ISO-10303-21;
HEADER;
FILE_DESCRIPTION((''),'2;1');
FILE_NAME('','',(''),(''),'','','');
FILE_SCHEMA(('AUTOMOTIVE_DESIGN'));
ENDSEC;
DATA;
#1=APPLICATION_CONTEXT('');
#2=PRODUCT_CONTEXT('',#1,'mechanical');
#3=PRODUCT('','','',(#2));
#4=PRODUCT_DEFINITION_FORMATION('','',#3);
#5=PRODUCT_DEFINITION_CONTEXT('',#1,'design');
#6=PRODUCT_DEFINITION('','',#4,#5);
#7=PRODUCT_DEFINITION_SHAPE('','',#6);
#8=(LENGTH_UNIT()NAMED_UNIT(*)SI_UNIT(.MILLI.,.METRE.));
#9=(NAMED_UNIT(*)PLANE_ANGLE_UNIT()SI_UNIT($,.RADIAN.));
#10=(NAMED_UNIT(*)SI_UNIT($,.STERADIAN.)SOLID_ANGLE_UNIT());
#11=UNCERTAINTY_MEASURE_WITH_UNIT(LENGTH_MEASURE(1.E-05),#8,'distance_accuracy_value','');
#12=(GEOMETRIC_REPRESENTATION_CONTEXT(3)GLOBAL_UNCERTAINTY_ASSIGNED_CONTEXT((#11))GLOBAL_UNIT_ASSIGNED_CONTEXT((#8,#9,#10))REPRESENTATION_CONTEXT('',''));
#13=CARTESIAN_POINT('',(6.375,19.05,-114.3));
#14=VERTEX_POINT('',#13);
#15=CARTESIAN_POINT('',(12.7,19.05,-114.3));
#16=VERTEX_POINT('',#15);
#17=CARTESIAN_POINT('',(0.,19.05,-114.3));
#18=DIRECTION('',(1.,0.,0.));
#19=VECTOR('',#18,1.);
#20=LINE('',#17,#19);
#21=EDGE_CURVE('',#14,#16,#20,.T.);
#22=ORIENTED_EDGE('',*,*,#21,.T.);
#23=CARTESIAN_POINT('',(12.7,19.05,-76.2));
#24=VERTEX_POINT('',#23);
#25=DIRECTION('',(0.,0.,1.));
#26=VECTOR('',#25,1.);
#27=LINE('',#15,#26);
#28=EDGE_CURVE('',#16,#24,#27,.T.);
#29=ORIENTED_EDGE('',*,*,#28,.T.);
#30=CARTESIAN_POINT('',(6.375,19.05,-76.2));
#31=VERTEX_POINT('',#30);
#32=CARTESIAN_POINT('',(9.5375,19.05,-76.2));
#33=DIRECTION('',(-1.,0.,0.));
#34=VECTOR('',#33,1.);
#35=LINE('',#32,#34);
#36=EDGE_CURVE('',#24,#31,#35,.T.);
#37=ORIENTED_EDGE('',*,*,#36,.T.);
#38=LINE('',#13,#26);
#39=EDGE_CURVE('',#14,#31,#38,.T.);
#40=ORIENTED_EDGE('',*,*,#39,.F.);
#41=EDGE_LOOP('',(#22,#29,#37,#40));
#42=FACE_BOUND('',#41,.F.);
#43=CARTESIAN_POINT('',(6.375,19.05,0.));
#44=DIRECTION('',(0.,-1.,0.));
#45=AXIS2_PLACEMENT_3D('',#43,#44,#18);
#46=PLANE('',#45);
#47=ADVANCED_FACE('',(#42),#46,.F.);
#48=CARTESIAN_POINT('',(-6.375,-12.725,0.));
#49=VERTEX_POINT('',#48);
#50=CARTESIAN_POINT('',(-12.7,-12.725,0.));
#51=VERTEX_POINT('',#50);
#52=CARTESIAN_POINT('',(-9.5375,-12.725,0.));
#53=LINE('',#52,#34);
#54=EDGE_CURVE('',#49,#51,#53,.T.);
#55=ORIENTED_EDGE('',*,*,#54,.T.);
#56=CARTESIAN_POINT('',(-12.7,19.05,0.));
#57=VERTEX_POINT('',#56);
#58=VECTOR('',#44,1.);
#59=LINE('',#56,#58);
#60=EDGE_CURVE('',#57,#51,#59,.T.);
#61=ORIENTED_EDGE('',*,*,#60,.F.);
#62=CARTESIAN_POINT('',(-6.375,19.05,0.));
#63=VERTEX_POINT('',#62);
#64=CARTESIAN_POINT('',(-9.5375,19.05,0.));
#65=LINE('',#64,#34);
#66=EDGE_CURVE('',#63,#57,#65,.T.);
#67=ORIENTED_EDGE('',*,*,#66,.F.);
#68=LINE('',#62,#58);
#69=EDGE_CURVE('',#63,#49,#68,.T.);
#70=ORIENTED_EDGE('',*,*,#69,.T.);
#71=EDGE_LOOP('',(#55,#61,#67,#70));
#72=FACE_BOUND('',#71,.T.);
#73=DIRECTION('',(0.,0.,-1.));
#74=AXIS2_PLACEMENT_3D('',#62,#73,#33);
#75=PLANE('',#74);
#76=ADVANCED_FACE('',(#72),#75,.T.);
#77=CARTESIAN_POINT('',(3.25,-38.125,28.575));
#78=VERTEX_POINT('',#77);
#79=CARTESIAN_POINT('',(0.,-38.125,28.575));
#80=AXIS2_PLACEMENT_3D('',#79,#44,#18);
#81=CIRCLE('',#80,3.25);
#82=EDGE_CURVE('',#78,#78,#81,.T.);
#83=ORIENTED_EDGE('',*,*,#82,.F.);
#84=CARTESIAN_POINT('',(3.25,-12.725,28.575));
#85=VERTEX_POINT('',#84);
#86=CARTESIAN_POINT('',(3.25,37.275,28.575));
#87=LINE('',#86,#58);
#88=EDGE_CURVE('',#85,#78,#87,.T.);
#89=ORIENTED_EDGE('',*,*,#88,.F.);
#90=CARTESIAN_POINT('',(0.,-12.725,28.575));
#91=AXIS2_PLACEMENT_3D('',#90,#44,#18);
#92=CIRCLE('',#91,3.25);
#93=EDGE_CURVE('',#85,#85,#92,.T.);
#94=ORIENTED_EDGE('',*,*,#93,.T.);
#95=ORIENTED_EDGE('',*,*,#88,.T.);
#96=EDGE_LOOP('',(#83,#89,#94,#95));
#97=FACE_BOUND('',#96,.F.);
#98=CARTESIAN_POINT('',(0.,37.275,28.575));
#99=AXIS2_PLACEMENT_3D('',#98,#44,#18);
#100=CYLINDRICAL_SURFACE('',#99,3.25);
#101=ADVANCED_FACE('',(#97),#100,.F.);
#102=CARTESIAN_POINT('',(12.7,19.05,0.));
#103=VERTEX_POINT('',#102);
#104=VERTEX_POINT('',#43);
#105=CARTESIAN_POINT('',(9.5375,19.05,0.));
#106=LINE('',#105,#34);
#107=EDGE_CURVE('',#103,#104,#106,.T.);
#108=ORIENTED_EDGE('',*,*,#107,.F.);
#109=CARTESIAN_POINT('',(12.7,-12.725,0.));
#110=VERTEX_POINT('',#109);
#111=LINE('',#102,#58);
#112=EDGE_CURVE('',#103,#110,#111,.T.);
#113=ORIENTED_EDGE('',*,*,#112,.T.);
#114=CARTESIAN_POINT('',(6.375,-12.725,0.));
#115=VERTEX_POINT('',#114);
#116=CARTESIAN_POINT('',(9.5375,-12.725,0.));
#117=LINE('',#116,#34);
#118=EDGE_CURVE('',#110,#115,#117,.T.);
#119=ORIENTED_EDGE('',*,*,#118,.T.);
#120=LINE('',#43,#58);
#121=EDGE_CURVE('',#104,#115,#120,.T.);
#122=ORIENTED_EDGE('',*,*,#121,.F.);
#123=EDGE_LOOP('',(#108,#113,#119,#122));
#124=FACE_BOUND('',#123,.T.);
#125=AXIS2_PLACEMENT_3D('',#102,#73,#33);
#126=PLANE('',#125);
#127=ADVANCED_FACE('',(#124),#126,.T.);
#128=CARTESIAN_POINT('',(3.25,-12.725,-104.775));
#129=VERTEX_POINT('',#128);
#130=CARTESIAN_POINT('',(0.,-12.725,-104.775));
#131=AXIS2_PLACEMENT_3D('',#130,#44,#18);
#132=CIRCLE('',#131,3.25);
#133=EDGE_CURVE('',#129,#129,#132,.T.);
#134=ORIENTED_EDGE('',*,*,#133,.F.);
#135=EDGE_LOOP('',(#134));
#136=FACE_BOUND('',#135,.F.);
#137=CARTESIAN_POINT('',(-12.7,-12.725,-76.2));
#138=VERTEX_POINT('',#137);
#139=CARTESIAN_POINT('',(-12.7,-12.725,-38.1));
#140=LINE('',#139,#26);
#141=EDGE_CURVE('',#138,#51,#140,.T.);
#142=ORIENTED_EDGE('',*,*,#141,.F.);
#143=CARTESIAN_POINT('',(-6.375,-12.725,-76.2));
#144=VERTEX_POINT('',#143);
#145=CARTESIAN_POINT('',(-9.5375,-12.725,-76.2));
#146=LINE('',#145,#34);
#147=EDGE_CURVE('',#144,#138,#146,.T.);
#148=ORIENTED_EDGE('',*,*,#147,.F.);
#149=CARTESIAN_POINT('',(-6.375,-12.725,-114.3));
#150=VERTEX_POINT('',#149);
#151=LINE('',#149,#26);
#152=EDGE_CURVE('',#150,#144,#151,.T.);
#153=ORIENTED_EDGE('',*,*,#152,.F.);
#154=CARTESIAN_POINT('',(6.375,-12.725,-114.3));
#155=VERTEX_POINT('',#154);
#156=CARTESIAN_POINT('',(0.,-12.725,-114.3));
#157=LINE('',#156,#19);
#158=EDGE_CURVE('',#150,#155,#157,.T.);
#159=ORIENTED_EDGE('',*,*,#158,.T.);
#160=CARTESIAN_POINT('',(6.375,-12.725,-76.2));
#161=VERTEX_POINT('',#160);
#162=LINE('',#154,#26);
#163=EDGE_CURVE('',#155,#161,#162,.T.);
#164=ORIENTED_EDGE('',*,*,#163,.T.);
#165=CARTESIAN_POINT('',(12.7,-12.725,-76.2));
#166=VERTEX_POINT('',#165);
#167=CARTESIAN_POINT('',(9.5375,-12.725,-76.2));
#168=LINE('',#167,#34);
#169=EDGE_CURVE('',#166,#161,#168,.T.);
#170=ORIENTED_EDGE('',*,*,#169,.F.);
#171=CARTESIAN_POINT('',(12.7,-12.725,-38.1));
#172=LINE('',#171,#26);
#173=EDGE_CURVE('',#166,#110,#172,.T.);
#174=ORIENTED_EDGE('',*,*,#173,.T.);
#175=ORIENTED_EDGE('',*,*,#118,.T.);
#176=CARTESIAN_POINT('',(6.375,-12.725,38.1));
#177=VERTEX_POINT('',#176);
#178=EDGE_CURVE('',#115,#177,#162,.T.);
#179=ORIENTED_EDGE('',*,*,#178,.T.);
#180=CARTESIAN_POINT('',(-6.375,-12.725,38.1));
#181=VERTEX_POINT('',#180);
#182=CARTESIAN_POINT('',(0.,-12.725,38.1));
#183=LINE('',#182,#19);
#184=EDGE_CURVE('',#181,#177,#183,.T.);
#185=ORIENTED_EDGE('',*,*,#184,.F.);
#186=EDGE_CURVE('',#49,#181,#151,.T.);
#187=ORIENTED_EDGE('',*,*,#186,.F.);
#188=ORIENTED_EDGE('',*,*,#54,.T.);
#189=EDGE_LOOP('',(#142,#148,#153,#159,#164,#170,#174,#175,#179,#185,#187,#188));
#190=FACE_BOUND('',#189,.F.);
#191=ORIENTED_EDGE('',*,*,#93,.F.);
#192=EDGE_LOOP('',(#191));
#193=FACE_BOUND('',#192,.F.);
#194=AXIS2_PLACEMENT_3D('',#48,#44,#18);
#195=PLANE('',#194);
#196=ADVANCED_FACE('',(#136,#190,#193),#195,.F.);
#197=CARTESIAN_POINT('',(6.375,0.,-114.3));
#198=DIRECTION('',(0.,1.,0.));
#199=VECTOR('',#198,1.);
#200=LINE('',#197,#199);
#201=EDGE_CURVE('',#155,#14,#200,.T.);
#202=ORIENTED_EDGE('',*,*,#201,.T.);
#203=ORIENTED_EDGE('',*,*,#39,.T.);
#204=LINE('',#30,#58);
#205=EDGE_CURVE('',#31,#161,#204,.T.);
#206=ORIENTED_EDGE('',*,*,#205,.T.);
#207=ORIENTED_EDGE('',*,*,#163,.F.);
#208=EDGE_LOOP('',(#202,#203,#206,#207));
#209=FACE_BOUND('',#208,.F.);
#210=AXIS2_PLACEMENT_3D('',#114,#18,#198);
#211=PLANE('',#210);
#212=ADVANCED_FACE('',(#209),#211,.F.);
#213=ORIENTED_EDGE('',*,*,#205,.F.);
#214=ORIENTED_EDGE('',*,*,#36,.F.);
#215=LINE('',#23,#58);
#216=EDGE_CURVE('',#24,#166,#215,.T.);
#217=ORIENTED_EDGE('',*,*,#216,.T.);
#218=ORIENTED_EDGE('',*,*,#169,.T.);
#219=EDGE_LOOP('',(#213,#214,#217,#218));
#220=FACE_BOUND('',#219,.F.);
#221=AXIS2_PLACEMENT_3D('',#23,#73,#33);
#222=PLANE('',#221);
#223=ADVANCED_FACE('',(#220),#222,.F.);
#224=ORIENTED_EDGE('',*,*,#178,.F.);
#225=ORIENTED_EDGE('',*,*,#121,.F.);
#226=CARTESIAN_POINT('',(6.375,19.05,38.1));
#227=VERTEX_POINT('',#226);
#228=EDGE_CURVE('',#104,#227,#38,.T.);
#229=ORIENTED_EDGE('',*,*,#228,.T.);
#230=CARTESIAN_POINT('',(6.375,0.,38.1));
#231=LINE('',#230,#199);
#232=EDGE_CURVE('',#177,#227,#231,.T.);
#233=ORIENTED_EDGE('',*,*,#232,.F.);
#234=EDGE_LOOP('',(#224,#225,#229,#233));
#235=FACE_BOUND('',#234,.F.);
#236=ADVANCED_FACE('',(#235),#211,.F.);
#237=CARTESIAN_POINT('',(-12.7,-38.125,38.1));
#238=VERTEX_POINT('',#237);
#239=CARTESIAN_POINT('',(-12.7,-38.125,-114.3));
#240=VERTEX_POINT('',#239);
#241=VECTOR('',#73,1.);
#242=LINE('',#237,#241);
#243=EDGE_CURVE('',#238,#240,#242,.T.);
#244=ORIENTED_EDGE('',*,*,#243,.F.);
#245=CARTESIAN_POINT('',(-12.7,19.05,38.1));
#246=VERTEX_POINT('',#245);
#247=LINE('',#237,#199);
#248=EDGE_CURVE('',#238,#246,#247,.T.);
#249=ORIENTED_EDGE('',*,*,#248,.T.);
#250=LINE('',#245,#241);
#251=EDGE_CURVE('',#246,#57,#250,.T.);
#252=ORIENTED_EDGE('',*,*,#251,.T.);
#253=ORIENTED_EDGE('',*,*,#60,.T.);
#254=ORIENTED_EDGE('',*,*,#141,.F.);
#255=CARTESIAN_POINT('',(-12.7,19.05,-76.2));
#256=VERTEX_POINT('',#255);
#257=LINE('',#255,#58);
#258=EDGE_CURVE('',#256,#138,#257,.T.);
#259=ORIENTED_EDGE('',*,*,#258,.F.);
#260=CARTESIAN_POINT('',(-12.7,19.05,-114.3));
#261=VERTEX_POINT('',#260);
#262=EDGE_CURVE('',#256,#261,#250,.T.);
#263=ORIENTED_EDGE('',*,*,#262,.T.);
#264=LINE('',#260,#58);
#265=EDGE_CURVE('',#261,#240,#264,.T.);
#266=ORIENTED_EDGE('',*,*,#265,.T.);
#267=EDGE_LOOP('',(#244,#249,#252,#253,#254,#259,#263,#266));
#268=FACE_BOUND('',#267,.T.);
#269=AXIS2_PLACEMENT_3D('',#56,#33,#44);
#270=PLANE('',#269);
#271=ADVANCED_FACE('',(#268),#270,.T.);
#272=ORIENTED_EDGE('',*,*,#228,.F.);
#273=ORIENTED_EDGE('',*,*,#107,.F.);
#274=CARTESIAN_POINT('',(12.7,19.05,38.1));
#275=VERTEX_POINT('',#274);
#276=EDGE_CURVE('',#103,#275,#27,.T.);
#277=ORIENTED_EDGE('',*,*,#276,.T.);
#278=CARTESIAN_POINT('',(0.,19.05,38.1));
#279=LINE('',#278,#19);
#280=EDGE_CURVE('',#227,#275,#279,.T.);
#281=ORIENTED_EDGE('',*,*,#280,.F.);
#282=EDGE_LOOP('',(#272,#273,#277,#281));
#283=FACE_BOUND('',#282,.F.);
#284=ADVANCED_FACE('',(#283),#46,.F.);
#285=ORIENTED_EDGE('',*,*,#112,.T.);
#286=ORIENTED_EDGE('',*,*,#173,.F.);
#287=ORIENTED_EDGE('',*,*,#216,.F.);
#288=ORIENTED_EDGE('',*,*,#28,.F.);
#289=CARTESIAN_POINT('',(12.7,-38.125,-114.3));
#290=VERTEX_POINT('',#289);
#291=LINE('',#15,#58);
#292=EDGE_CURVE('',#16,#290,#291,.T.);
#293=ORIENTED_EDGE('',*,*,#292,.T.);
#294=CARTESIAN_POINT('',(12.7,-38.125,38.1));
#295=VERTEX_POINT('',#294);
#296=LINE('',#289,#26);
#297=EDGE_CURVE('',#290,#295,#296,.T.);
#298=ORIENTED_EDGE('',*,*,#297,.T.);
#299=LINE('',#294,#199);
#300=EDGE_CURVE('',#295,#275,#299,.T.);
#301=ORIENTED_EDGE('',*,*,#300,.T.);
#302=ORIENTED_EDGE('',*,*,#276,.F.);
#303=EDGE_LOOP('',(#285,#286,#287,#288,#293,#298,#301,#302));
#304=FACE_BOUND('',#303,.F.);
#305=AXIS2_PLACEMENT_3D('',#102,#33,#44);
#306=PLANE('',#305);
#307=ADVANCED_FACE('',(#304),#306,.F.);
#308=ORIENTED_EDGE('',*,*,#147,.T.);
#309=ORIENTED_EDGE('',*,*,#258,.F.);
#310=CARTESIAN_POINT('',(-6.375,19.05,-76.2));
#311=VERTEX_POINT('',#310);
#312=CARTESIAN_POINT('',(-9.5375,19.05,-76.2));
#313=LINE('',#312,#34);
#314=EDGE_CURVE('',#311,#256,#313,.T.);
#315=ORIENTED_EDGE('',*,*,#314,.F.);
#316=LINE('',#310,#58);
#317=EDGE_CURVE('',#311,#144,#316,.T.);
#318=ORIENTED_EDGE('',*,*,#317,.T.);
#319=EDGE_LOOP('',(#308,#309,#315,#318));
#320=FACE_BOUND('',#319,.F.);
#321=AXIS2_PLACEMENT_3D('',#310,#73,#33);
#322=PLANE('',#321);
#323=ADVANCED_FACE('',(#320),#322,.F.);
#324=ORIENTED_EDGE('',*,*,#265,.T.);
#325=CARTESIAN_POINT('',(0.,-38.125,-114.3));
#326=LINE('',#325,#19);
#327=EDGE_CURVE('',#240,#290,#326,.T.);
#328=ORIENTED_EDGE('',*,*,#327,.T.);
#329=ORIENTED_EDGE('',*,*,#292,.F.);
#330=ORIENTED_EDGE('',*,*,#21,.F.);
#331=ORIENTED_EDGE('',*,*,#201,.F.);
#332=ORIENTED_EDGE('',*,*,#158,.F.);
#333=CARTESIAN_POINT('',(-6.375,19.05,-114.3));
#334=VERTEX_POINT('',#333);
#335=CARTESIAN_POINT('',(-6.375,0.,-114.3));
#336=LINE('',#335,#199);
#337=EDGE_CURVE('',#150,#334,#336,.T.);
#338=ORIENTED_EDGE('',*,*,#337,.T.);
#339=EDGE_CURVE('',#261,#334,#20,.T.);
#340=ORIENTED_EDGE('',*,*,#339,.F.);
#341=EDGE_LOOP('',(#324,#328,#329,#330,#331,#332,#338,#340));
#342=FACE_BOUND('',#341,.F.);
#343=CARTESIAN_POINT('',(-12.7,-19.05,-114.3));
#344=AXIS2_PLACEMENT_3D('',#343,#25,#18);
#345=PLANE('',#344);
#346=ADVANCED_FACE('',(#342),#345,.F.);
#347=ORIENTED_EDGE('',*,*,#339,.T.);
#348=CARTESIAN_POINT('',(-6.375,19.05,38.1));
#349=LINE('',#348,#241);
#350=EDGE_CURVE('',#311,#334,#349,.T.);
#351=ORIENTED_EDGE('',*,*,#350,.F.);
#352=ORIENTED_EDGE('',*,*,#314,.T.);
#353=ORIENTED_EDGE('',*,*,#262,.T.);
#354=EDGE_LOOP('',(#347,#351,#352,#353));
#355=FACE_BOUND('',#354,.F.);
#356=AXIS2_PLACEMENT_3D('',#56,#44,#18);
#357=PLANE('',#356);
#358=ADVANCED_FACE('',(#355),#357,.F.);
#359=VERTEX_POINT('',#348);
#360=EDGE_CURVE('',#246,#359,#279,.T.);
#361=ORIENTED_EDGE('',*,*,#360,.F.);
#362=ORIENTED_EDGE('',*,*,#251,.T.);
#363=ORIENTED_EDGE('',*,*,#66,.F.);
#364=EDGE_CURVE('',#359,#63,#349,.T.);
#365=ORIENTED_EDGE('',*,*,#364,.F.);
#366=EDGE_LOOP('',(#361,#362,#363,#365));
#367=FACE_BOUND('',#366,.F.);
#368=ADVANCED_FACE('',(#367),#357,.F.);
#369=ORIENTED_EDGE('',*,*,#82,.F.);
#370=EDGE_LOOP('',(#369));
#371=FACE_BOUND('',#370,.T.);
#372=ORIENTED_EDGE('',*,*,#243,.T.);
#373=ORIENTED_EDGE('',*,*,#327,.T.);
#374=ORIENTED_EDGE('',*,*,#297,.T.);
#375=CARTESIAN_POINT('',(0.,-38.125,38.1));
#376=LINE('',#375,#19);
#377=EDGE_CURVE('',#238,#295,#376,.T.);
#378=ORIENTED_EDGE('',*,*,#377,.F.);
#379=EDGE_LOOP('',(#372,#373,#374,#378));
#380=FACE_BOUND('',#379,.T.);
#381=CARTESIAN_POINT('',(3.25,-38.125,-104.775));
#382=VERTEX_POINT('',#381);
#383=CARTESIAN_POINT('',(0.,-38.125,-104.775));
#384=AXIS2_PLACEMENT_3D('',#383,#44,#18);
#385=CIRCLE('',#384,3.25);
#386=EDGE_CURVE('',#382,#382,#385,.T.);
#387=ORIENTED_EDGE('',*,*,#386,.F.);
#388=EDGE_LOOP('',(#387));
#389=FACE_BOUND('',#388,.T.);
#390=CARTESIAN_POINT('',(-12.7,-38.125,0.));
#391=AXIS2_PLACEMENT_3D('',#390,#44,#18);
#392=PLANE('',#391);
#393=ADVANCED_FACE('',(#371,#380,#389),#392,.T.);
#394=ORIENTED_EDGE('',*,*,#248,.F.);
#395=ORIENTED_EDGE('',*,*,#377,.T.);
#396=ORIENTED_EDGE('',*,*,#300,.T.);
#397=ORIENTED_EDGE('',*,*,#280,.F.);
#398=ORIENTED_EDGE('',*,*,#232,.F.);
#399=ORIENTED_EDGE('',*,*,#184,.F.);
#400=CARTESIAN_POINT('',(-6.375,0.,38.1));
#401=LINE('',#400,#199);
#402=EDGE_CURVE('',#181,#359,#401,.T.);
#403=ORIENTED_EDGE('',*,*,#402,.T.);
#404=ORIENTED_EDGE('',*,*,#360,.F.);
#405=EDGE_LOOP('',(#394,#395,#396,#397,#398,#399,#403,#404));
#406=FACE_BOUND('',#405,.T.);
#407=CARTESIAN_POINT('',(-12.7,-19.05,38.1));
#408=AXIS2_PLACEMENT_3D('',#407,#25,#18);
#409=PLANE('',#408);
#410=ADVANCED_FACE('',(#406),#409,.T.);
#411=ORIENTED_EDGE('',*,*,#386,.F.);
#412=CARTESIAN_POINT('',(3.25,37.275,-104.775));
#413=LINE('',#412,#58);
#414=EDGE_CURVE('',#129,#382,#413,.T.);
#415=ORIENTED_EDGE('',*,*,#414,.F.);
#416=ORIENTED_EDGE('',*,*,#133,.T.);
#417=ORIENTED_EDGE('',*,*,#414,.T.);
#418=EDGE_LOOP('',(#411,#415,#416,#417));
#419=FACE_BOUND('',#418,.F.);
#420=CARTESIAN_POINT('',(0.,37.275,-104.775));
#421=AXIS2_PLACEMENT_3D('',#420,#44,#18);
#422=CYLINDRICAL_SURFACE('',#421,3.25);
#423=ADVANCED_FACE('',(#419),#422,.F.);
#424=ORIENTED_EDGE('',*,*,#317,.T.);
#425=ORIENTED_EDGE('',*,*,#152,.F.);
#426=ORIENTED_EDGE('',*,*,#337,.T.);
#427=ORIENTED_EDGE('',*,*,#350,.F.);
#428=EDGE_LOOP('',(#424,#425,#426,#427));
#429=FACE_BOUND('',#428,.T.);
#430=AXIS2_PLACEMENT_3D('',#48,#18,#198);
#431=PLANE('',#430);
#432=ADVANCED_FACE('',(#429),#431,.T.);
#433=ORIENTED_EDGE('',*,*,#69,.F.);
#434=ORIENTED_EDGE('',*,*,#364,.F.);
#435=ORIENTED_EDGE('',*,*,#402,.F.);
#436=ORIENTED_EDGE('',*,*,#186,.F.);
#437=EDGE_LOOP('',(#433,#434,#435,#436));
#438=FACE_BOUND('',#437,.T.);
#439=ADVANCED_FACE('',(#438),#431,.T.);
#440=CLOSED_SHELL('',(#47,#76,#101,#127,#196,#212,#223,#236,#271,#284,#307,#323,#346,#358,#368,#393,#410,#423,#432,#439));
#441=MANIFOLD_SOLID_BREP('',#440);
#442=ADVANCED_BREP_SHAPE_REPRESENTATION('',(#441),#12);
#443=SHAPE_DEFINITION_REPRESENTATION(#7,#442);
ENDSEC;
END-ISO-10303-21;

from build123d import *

# Parameters (mm, degrees)
F0_W     = 25.4
F0_H     = 38.1
F1_DEPTH = 38.1
F2_T     = -6.325
F3_DEPTH = 19.075
F4_DEPTH = 114.3
F6_D     = 6.5
F6_DEPTH = 50
F6_TIP   = 1.9527970118
F7_W     = 6.325
F7_H     = 76.2
F8_W     = 6.325
F8_H     = 76.2
F9_DEPTH = 31.775


with BuildPart() as f1:
    # F0 (on Top) → F1 (new body)
    with BuildSketch(Plane.XY):
        Rectangle(F0_W, F0_H)
    extrude(amount=F1_DEPTH)

    # F2
    f2_openings = [f1.faces().sort_by_distance(p)[0] for p in [
        (0, 19.05, 19.05),
        (0, 0, 38.1),
        (0, 0, 0),
    ]]
    offset(amount=F2_T, openings=f2_openings)

    # F3 (add): a face of the model
    f3_faces = [f1.faces().sort_by_distance(p)[0] for p in [
        (0, -19.05, 19.05),
    ]]
    extrude(f3_faces, amount=F3_DEPTH)

    # F4 (add): a face of the model
    f4_faces = [f1.faces().sort_by_distance(p)[0] for p in [
        (0, -14.4511656595, 0),
    ]]
    extrude(f4_faces, amount=F4_DEPTH)

    # F6
    with Locations(Plane(origin=(0, -12.725, 0), x_dir=(-1, 0, 0), z_dir=(0, 1, 0))):
        with Locations((0, -104.775), (0, 28.575)):
            Hole(F6_D / 2, depth=F6_DEPTH)
            with Locations((0, 0, -(F6_DEPTH + F6_TIP / 2))):  # 118° drill point
                Cone(0, F6_D / 2, F6_TIP, mode=Mode.SUBTRACT)

    # F7 (on face) + F8 (on face) → F9 (cut)
    with BuildSketch(Plane(origin=(0, 19.05, 0), x_dir=(-1, 0, 0), z_dir=(0, 1, 0))):
        with Locations((-9.5375, -38.1)):
            Rectangle(F7_W, F7_H)
    with BuildSketch(Plane(origin=(0, 19.05, 0), x_dir=(-1, 0, 0), z_dir=(0, 1, 0))):
        with Locations((9.5375, -38.1)):
            Rectangle(F8_W, F8_H)
    extrude(amount=-F9_DEPTH, mode=Mode.SUBTRACT)


solid = f1.part
